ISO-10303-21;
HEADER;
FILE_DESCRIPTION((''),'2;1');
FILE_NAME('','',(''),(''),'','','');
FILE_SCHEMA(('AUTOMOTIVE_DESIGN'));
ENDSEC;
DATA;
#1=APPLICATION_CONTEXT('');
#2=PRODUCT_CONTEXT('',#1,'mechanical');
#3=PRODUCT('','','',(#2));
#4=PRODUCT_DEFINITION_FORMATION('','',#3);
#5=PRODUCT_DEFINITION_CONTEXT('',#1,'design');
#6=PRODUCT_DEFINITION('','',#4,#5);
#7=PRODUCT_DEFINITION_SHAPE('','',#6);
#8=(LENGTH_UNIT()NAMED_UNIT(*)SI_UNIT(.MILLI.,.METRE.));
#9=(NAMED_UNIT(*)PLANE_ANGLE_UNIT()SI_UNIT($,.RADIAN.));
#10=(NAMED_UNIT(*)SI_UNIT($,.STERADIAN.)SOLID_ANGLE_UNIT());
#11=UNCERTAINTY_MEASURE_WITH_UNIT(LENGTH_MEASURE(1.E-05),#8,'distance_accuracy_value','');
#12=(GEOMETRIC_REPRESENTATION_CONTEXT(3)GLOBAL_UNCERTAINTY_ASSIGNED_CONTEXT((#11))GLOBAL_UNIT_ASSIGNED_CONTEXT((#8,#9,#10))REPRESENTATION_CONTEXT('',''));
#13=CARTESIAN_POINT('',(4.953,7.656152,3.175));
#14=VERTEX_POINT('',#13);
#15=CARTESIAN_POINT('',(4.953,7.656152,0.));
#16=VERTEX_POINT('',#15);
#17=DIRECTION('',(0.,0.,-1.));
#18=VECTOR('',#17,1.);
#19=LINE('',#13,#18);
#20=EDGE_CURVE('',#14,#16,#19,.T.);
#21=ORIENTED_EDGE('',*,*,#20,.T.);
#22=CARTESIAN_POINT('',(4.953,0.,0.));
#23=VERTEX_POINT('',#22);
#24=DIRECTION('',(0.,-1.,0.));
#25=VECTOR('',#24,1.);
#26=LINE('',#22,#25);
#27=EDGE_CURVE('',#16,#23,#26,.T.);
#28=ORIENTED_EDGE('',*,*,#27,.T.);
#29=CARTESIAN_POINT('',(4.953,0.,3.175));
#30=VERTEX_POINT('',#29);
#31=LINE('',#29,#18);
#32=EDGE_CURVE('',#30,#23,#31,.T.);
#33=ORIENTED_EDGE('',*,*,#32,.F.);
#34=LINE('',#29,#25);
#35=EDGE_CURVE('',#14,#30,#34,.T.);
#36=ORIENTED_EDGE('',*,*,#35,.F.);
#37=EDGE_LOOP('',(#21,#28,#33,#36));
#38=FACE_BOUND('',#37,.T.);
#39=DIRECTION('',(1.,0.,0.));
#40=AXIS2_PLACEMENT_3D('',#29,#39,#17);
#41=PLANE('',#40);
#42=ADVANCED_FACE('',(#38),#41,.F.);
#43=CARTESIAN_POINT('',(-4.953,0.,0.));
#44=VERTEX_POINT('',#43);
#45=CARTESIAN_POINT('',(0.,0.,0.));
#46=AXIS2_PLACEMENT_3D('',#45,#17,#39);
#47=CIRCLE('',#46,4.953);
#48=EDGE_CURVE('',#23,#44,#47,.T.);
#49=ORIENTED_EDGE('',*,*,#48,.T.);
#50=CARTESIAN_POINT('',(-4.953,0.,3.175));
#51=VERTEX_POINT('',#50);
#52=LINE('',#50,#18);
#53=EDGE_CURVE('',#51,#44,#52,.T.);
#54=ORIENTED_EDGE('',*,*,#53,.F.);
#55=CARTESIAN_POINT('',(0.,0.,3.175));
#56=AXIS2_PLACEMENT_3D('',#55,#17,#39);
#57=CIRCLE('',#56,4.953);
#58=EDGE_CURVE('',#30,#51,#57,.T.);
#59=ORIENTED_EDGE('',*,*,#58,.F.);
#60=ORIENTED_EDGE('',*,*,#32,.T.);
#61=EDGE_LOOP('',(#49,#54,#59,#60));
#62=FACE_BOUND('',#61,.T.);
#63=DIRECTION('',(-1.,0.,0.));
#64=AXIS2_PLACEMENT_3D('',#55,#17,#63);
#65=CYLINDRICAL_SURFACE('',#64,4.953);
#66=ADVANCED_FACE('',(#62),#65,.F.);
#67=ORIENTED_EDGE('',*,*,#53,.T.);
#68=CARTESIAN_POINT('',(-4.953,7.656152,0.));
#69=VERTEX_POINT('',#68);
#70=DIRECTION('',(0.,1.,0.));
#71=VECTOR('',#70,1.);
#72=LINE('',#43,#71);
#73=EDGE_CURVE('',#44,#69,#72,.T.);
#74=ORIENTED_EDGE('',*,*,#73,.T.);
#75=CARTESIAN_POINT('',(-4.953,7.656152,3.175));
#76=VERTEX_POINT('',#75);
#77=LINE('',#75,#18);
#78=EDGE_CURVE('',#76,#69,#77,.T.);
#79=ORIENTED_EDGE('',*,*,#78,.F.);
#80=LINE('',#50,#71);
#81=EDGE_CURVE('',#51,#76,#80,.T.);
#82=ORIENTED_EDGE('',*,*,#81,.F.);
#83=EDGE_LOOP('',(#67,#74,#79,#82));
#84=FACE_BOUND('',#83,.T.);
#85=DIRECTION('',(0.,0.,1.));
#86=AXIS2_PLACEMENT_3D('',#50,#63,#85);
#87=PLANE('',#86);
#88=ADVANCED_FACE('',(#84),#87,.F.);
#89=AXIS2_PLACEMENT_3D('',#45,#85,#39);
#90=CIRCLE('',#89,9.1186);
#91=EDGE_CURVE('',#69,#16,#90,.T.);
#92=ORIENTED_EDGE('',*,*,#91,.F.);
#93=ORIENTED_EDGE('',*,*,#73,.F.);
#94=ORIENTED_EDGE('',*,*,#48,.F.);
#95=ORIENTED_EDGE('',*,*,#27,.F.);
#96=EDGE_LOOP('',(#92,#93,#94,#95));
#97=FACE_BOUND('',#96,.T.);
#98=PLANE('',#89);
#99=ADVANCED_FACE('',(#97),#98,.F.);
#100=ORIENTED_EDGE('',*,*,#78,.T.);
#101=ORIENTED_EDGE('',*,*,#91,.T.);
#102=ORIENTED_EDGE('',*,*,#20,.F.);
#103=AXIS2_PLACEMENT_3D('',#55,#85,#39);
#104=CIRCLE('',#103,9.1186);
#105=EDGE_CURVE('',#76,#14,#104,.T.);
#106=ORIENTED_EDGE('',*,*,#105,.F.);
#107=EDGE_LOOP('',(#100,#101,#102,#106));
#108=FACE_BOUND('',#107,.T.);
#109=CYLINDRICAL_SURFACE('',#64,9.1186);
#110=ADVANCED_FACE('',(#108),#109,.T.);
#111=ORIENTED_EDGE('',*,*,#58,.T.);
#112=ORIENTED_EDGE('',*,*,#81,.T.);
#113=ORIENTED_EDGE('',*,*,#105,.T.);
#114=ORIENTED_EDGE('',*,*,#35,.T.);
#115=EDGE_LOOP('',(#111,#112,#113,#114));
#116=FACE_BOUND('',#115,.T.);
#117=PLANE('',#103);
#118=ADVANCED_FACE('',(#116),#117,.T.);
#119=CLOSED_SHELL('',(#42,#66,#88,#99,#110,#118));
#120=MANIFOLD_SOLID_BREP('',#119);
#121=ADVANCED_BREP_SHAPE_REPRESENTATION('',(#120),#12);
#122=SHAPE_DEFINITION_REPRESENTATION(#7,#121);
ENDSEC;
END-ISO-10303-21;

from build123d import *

# Parameters (mm, degrees)
BOSS_EXTRUDE1_DEPTH = 3.175


with BuildPart() as part:
    # Sketch1 → Boss-Extrude1 (new body)
    with BuildSketch(Plane.XY):
        with BuildLine():
            Line((-4.953, 0), (-4.953, 7.656151576))
            ThreePointArc((-4.953, 7.656151576), (0, -9.1186), (4.953, 7.656151576))
            Line((4.953, 7.656151576), (4.953, 0))
            ThreePointArc((4.953, 0), (0, -4.953), (-4.953, 0))
        make_face()
    extrude(amount=BOSS_EXTRUDE1_DEPTH)


solid = part.part
